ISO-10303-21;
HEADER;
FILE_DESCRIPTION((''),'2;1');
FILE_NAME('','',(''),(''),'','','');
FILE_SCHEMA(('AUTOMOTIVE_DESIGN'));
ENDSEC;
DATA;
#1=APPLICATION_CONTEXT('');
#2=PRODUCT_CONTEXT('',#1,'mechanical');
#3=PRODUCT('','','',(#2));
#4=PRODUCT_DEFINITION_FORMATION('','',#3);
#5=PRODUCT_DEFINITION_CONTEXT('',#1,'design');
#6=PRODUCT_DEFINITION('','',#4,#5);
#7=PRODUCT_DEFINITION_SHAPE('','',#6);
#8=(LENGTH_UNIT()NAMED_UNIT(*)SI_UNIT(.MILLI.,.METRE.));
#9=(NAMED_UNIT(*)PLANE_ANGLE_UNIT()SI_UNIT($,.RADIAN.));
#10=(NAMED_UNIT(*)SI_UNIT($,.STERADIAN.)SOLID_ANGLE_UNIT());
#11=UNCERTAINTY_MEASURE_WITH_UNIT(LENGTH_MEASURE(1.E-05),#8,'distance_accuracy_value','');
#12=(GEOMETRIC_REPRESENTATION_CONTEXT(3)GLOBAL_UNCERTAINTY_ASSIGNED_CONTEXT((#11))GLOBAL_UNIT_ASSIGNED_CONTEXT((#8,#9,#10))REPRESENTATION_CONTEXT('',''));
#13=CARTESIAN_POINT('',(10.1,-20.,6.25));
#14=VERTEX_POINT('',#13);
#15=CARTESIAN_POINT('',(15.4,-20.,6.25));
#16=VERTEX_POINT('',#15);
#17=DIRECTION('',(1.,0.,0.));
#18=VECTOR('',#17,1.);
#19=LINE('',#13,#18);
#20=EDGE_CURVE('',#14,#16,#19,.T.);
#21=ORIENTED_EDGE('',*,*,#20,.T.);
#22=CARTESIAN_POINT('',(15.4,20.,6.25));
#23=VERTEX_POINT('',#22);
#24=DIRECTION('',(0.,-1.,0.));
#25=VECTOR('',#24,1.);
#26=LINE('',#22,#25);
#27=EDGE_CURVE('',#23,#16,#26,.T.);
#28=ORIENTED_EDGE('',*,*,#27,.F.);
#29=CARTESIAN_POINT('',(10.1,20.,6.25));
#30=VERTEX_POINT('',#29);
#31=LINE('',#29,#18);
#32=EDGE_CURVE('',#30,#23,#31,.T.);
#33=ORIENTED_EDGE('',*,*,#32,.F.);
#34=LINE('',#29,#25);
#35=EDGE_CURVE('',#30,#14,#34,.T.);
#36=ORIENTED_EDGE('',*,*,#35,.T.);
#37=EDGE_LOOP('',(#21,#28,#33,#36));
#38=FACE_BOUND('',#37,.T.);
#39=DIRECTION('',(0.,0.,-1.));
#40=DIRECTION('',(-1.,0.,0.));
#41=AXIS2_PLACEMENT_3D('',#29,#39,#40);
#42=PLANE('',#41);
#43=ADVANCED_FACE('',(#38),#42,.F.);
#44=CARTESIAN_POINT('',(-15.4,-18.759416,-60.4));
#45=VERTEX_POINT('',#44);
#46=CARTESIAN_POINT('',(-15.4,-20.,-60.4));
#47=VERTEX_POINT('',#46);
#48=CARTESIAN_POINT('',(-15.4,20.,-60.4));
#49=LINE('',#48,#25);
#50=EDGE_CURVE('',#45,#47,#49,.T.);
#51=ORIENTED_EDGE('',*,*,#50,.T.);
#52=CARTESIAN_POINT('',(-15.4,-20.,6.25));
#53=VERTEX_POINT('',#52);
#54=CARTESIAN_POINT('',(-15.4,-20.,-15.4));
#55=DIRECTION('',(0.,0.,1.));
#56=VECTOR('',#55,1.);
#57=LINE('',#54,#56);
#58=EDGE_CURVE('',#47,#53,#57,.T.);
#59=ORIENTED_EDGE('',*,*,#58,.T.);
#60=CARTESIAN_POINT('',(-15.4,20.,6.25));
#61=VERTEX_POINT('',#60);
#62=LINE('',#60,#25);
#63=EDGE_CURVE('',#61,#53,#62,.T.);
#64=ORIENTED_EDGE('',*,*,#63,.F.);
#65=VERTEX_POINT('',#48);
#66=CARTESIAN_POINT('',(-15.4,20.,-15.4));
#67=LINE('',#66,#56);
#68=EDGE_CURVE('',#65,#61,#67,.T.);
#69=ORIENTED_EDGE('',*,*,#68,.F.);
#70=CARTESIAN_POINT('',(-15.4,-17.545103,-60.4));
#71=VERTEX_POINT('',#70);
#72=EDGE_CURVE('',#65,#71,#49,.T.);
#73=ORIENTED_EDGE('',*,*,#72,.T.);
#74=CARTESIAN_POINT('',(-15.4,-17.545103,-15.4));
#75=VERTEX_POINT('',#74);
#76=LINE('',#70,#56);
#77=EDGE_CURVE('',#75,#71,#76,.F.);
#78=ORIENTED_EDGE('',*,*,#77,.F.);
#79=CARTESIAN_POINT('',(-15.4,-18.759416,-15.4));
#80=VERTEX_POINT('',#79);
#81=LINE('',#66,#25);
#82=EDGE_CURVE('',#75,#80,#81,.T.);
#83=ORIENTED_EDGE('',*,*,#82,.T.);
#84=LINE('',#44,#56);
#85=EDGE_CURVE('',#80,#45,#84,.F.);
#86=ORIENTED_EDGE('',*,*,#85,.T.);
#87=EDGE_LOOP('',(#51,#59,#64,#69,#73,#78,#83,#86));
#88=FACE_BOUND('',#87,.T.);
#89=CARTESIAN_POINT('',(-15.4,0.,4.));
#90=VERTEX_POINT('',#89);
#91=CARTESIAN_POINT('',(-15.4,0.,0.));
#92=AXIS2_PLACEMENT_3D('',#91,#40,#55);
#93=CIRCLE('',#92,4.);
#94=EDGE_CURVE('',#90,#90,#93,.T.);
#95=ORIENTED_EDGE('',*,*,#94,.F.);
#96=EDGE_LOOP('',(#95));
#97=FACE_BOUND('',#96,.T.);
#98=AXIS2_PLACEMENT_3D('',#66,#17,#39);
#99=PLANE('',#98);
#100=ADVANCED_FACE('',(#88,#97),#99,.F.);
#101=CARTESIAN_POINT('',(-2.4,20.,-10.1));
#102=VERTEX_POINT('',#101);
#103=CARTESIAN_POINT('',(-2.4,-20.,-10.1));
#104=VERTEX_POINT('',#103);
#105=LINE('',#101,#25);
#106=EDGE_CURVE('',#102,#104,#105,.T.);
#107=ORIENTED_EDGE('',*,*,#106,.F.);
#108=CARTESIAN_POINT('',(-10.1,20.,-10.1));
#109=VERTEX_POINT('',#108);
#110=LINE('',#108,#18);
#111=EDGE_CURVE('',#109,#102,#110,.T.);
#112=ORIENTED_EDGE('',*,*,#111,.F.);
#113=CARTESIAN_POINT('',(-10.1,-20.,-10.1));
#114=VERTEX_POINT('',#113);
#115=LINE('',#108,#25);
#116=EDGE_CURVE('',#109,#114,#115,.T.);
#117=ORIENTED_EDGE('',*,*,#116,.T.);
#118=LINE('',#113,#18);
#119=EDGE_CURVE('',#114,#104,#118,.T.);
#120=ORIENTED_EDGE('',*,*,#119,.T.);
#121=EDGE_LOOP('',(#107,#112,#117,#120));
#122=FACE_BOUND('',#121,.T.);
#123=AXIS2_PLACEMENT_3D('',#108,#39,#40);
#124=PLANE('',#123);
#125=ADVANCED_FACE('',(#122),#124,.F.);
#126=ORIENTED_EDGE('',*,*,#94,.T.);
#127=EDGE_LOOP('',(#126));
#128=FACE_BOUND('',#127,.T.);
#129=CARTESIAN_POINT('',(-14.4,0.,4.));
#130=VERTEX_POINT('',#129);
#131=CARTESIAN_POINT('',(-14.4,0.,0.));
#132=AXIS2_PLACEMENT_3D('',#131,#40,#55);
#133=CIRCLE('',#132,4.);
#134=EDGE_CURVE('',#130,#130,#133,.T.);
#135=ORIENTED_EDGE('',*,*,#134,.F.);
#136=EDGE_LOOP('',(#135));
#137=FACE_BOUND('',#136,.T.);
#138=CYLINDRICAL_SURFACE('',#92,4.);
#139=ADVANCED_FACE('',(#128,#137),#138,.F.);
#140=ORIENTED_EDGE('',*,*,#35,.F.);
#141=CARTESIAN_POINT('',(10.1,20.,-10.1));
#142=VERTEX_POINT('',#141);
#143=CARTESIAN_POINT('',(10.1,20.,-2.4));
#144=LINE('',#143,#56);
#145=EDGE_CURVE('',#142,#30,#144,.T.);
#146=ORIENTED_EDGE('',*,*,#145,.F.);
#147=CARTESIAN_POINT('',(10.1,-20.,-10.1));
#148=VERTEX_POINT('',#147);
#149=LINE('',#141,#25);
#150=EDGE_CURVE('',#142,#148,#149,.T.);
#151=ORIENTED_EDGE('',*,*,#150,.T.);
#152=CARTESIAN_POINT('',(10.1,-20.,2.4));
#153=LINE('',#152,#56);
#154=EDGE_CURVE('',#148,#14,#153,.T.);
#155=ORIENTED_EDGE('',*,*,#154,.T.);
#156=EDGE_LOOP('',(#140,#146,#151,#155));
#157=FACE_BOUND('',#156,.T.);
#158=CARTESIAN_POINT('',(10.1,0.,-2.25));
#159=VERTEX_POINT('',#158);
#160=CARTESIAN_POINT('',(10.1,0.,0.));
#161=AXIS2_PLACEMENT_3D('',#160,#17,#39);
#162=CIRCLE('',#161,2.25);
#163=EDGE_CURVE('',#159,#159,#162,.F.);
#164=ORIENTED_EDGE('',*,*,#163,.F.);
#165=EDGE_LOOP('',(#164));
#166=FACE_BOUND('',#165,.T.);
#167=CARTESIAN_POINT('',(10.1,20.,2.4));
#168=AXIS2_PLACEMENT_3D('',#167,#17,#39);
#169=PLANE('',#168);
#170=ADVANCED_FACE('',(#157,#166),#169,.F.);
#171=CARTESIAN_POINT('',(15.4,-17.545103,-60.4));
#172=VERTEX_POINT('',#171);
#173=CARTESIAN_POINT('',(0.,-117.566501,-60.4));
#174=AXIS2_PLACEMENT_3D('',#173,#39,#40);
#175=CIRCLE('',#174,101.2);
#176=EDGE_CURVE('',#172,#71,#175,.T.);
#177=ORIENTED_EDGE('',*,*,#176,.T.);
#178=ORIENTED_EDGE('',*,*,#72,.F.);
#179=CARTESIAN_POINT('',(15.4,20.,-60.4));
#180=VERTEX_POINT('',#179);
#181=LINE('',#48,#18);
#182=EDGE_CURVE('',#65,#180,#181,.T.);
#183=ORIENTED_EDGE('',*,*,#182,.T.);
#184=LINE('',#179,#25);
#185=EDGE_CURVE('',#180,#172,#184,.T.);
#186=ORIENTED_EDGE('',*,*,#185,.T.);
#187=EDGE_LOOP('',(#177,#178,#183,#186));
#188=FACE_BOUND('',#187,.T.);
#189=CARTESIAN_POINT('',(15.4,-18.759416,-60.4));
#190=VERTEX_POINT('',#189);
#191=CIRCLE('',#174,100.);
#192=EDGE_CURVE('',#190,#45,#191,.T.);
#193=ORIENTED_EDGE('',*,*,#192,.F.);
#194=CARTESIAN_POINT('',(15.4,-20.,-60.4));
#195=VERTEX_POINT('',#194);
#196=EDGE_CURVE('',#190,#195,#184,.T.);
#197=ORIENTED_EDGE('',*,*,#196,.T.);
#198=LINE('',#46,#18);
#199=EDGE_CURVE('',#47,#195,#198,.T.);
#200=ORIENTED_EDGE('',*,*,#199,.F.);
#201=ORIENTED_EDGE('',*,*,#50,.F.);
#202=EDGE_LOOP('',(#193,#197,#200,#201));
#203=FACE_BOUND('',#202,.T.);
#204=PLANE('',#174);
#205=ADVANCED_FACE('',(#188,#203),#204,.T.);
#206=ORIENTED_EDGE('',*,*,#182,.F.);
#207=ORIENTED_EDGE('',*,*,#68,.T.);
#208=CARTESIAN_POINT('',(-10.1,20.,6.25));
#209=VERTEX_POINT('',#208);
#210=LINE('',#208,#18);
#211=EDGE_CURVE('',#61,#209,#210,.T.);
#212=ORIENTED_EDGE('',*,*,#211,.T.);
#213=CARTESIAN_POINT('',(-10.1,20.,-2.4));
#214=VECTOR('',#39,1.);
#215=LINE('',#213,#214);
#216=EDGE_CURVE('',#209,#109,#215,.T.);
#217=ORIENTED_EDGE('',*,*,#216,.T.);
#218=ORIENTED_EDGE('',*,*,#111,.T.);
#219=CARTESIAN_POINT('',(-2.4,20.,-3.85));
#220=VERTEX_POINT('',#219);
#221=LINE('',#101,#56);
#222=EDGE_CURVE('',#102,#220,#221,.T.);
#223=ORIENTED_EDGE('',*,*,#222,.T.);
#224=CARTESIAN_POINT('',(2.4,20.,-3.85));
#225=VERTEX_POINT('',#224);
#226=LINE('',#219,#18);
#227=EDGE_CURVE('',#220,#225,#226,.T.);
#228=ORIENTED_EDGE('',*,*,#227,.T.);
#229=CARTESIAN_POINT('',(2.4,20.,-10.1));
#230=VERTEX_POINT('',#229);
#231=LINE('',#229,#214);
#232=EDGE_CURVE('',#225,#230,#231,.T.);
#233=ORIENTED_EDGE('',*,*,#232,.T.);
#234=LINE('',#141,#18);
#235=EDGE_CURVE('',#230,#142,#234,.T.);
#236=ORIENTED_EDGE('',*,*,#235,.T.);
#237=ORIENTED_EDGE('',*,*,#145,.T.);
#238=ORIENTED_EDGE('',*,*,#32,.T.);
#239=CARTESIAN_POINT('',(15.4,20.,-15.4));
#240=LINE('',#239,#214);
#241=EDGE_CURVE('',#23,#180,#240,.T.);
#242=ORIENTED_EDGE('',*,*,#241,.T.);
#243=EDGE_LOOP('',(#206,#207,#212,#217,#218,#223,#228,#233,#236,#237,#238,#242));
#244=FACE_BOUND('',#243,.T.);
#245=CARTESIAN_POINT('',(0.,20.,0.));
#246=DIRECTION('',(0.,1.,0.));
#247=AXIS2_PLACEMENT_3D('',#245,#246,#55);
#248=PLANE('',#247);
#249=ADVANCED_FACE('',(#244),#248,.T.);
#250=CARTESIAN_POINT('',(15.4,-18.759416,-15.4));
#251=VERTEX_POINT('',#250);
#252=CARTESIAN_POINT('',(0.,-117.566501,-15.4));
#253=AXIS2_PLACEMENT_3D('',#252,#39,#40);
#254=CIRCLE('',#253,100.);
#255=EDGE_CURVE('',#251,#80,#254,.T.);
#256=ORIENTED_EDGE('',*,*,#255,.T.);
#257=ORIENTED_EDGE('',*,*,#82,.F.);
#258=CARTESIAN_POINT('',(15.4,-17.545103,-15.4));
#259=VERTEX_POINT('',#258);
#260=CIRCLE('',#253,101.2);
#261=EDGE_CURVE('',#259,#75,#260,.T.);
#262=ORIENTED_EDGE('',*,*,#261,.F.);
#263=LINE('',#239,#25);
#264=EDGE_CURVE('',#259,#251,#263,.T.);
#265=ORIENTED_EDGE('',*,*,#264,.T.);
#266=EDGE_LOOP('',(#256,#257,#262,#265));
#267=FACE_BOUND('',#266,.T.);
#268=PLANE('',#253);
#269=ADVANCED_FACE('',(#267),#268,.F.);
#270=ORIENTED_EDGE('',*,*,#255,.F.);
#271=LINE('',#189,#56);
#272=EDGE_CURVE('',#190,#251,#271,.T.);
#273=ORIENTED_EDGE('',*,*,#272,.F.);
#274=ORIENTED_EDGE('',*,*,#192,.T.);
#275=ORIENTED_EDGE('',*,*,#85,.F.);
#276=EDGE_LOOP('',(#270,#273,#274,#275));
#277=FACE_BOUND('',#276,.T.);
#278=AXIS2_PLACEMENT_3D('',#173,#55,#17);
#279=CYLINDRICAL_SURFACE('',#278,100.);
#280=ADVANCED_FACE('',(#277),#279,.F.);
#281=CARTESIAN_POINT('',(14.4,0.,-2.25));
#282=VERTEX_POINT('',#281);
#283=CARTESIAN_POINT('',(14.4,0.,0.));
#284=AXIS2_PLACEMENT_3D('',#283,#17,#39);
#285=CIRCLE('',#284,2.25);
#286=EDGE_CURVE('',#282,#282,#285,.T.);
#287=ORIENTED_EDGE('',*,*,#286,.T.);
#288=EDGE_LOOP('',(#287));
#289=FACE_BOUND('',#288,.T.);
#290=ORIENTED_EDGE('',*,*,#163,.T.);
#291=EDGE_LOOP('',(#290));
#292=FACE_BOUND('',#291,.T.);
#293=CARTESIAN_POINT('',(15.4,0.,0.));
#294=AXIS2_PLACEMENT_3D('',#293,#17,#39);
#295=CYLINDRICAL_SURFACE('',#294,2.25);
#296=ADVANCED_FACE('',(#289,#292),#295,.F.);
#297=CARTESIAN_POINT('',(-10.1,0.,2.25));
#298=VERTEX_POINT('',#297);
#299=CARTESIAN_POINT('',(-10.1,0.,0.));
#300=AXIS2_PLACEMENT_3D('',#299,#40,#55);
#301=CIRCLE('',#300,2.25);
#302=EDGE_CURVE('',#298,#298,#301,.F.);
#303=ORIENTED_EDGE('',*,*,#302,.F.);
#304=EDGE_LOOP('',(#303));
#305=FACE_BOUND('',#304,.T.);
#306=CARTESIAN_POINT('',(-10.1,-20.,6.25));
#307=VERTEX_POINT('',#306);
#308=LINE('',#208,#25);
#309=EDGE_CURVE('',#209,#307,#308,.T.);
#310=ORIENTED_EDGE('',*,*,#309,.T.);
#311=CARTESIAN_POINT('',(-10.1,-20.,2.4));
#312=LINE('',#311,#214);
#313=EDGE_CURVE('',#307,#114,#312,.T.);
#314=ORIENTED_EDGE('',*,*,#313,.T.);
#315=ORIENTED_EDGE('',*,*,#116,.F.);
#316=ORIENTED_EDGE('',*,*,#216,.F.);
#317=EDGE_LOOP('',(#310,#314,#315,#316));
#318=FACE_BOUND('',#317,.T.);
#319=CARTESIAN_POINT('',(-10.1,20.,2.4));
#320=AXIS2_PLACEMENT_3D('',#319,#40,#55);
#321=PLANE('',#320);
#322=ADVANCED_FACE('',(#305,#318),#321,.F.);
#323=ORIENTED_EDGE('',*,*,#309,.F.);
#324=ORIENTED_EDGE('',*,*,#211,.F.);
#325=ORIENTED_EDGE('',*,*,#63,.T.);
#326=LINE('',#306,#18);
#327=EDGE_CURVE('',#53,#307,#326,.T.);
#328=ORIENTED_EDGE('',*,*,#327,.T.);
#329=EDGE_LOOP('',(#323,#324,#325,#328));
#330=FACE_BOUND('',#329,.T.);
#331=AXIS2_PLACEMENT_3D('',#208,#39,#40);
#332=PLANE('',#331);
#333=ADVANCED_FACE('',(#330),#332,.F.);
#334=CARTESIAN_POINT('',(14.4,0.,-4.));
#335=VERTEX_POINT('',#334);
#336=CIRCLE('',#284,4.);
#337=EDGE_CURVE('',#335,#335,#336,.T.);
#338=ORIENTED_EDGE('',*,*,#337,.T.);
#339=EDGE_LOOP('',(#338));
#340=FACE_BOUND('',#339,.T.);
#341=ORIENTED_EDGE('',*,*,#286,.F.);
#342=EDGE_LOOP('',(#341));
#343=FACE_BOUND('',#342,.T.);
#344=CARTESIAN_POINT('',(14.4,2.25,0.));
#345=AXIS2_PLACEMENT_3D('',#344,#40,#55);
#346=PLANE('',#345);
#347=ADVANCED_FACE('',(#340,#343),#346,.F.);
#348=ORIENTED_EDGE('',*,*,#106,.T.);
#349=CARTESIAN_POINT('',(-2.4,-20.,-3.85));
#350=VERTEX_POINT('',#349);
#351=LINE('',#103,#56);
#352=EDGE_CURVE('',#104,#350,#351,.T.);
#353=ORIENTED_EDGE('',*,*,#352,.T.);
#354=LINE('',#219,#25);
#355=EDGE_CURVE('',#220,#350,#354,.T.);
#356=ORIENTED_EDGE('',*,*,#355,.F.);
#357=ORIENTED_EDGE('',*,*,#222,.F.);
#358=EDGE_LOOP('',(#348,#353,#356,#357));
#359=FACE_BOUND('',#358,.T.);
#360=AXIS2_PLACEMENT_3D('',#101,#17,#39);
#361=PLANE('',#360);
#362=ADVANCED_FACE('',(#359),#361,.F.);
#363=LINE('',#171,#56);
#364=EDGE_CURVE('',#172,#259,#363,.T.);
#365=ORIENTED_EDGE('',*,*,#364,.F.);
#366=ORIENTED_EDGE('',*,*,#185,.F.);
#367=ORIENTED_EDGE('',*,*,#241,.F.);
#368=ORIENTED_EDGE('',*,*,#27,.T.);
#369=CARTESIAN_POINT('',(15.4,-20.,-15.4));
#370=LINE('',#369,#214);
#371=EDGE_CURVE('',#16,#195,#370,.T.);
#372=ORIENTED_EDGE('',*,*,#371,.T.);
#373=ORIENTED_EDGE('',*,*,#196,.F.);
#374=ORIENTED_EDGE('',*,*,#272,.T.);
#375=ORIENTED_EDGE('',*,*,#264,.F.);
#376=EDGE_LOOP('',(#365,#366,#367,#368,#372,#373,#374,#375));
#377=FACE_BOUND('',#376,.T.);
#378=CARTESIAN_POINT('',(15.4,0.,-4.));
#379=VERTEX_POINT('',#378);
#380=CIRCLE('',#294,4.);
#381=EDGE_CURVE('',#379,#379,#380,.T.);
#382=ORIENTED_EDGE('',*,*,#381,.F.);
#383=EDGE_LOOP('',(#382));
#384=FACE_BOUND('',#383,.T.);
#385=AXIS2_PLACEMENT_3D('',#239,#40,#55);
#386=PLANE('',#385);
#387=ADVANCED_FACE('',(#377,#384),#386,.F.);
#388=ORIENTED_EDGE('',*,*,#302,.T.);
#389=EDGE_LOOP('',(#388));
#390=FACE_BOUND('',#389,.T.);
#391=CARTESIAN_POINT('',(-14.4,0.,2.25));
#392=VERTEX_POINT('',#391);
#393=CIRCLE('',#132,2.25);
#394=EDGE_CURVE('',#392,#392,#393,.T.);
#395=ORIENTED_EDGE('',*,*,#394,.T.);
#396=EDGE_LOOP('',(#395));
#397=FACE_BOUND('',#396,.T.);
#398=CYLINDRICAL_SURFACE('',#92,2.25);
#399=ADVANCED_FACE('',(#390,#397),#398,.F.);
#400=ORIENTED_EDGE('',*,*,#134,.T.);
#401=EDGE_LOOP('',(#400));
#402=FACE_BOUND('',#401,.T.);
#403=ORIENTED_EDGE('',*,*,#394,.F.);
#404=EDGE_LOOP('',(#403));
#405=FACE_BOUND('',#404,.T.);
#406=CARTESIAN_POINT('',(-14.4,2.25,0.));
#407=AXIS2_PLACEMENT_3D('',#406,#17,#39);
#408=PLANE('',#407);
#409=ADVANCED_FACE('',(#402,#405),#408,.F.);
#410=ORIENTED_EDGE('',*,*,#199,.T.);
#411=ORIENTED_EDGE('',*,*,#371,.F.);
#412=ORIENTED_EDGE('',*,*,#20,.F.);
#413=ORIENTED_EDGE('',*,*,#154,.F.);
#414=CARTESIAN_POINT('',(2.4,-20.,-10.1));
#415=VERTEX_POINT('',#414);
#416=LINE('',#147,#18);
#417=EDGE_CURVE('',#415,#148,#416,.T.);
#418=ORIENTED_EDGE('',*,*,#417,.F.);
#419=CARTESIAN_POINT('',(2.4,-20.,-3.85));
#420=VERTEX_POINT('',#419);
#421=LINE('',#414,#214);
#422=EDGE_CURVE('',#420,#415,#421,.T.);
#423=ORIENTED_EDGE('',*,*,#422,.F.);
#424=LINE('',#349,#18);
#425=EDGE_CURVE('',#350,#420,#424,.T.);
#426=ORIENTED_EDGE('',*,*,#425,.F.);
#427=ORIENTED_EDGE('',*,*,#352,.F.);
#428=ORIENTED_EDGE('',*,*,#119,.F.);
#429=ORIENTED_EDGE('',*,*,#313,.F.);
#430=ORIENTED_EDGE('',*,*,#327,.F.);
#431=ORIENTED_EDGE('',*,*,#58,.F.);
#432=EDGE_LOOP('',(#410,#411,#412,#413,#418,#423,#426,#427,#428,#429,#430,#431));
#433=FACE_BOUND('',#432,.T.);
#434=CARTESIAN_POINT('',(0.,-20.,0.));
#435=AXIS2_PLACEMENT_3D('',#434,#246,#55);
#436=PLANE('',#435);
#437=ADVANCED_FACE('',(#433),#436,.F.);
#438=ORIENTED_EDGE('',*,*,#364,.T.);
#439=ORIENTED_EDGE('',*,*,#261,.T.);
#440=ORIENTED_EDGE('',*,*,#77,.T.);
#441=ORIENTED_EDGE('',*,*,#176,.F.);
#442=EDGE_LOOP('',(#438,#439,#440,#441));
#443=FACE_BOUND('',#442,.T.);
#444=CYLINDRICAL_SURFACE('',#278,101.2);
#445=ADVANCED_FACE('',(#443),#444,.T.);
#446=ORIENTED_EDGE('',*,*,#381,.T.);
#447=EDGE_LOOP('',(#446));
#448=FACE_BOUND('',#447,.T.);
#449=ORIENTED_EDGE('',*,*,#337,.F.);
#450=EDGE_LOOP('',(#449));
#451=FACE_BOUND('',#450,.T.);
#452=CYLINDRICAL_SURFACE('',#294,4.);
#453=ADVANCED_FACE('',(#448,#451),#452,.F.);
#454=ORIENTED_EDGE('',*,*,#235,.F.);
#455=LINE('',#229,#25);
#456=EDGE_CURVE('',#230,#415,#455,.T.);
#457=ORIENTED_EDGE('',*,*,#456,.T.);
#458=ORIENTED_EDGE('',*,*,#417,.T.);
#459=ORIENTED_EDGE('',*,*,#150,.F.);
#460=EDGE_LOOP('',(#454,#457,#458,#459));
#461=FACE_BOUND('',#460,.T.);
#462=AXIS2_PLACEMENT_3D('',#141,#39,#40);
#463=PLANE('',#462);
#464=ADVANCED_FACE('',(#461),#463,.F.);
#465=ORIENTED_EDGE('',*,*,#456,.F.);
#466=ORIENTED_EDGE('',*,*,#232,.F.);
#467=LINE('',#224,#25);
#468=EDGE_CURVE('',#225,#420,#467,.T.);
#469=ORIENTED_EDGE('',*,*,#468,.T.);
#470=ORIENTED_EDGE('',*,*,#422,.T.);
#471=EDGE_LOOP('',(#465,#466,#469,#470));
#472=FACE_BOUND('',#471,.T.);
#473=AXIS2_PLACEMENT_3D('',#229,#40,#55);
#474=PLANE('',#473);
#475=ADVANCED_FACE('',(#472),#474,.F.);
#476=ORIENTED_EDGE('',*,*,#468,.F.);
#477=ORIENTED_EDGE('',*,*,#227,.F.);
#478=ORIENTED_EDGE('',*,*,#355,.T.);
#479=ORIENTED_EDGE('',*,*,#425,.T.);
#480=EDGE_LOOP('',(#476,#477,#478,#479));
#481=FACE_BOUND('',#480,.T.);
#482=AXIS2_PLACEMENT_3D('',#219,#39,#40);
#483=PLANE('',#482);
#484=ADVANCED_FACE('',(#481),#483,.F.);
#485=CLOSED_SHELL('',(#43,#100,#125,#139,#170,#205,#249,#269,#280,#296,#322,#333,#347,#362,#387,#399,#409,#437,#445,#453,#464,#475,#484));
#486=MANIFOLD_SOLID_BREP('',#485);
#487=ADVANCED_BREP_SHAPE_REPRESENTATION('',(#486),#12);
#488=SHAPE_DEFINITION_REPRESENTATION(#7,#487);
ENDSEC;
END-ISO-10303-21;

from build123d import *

# Parameters (mm, degrees)
BOSS_EXTRU_1_DEPTH                                = 20
CHAMBRAGE_POUR_VIS_SIX_PANS_CREUX_M41_D           = 4.5
CHAMBRAGE_POUR_VIS_SIX_PANS_CREUX_M41_DEPTH       = 11.55
CHAMBRAGE_POUR_VIS_SIX_PANS_CREUX_M41_CBORE_D     = 8
CHAMBRAGE_POUR_VIS_SIX_PANS_CREUX_M41_CBORE_DEPTH = 1
ESQUISSE6_W                                       = 20.2
ESQUISSE6_H                                       = 40
ENL_V_MAT_EXTRU_1_DEPTH                           = 3
ESQUISSE16_R                                      = 101.2
ESQUISSE16_R_2                                    = 100
EXTRU_MINCE1_DEPTH                                = 45
ESQUISSE14_W                                      = 30.8
ESQUISSE14_H                                      = 45
BOSS_EXTRU_3_DEPTH                                = 40


with BuildPart() as part:
    # Base → Boss.-Extru.1 (new, symmetric)
    with BuildSketch(Plane(origin=(0, 0, 0), x_dir=(1, 0, 0), z_dir=(0, 1, 0))):
        Polygon((-3.85, -2.4), (-3.85, 2.4), (-10.1, 2.4), (-10.1, 10.1), (-2.4, 10.1), (-2.4, 3.85), (2.4, 3.85), (2.4, 10.1), (10.1, 10.1), (10.1, 2.4), (3.85, 2.4), (3.85, -2.4), (10.1, -2.4), (10.1, -6.25), (15.4, -6.25), (15.4, 15.4), (-15.4, 15.4), (-15.4, -6.25), (-10.1, -6.25), (-10.1, -2.4), align=None)
    extrude(amount=BOSS_EXTRU_1_DEPTH, both=True)

    # Chambrage pour vis à six pans creux M41
    with Locations(Plane(origin=(15.4, 0, 0), x_dir=(0, 0, -1), z_dir=(1, 0, 0))):
        with Locations((0, 0)):
            chambrage_pour_vis_six_pans_creux_m41 = CounterBoreHole(CHAMBRAGE_POUR_VIS_SIX_PANS_CREUX_M41_D / 2, CHAMBRAGE_POUR_VIS_SIX_PANS_CREUX_M41_CBORE_D / 2, CHAMBRAGE_POUR_VIS_SIX_PANS_CREUX_M41_CBORE_DEPTH, depth=CHAMBRAGE_POUR_VIS_SIX_PANS_CREUX_M41_DEPTH)

    # Symétrie1: Chambrage pour vis à six pans creux M41 across plane
    add(chambrage_pour_vis_six_pans_creux_m41.mirror(Plane(origin=(0, 0, 0), x_dir=(0, 0, 1), z_dir=(1, 0, 0))), mode=Mode.SUBTRACT)

    # Esquisse6 → Enlèv. mat.-Extru.1 (cut, symmetric)
    with BuildSketch(Plane.XY):
        Rectangle(ESQUISSE6_W, ESQUISSE6_H)
    extrude(amount=ENL_V_MAT_EXTRU_1_DEPTH, both=True, mode=Mode.SUBTRACT)

    # Esquisse16 → Extru.-Mince1 (add)
    with BuildSketch(Plane(origin=(0, 0, -15.4), x_dir=(-1, 0, 0), z_dir=(0, 0, -1))):
        with Locations((0, -117.566500624)):
            Circle(ESQUISSE16_R)
        with Locations((0, -117.566500624)):
            Circle(ESQUISSE16_R_2, mode=Mode.SUBTRACT)
    extrude(amount=EXTRU_MINCE1_DEPTH)

    # Esquisse14 → Boss.-Extru.3 (add)
    with BuildSketch(Plane.XZ.offset(20)):
        with Locations((0, -37.9)):
            Rectangle(ESQUISSE14_W, ESQUISSE14_H)
    extrude(amount=-BOSS_EXTRU_3_DEPTH)


solid = part.part
